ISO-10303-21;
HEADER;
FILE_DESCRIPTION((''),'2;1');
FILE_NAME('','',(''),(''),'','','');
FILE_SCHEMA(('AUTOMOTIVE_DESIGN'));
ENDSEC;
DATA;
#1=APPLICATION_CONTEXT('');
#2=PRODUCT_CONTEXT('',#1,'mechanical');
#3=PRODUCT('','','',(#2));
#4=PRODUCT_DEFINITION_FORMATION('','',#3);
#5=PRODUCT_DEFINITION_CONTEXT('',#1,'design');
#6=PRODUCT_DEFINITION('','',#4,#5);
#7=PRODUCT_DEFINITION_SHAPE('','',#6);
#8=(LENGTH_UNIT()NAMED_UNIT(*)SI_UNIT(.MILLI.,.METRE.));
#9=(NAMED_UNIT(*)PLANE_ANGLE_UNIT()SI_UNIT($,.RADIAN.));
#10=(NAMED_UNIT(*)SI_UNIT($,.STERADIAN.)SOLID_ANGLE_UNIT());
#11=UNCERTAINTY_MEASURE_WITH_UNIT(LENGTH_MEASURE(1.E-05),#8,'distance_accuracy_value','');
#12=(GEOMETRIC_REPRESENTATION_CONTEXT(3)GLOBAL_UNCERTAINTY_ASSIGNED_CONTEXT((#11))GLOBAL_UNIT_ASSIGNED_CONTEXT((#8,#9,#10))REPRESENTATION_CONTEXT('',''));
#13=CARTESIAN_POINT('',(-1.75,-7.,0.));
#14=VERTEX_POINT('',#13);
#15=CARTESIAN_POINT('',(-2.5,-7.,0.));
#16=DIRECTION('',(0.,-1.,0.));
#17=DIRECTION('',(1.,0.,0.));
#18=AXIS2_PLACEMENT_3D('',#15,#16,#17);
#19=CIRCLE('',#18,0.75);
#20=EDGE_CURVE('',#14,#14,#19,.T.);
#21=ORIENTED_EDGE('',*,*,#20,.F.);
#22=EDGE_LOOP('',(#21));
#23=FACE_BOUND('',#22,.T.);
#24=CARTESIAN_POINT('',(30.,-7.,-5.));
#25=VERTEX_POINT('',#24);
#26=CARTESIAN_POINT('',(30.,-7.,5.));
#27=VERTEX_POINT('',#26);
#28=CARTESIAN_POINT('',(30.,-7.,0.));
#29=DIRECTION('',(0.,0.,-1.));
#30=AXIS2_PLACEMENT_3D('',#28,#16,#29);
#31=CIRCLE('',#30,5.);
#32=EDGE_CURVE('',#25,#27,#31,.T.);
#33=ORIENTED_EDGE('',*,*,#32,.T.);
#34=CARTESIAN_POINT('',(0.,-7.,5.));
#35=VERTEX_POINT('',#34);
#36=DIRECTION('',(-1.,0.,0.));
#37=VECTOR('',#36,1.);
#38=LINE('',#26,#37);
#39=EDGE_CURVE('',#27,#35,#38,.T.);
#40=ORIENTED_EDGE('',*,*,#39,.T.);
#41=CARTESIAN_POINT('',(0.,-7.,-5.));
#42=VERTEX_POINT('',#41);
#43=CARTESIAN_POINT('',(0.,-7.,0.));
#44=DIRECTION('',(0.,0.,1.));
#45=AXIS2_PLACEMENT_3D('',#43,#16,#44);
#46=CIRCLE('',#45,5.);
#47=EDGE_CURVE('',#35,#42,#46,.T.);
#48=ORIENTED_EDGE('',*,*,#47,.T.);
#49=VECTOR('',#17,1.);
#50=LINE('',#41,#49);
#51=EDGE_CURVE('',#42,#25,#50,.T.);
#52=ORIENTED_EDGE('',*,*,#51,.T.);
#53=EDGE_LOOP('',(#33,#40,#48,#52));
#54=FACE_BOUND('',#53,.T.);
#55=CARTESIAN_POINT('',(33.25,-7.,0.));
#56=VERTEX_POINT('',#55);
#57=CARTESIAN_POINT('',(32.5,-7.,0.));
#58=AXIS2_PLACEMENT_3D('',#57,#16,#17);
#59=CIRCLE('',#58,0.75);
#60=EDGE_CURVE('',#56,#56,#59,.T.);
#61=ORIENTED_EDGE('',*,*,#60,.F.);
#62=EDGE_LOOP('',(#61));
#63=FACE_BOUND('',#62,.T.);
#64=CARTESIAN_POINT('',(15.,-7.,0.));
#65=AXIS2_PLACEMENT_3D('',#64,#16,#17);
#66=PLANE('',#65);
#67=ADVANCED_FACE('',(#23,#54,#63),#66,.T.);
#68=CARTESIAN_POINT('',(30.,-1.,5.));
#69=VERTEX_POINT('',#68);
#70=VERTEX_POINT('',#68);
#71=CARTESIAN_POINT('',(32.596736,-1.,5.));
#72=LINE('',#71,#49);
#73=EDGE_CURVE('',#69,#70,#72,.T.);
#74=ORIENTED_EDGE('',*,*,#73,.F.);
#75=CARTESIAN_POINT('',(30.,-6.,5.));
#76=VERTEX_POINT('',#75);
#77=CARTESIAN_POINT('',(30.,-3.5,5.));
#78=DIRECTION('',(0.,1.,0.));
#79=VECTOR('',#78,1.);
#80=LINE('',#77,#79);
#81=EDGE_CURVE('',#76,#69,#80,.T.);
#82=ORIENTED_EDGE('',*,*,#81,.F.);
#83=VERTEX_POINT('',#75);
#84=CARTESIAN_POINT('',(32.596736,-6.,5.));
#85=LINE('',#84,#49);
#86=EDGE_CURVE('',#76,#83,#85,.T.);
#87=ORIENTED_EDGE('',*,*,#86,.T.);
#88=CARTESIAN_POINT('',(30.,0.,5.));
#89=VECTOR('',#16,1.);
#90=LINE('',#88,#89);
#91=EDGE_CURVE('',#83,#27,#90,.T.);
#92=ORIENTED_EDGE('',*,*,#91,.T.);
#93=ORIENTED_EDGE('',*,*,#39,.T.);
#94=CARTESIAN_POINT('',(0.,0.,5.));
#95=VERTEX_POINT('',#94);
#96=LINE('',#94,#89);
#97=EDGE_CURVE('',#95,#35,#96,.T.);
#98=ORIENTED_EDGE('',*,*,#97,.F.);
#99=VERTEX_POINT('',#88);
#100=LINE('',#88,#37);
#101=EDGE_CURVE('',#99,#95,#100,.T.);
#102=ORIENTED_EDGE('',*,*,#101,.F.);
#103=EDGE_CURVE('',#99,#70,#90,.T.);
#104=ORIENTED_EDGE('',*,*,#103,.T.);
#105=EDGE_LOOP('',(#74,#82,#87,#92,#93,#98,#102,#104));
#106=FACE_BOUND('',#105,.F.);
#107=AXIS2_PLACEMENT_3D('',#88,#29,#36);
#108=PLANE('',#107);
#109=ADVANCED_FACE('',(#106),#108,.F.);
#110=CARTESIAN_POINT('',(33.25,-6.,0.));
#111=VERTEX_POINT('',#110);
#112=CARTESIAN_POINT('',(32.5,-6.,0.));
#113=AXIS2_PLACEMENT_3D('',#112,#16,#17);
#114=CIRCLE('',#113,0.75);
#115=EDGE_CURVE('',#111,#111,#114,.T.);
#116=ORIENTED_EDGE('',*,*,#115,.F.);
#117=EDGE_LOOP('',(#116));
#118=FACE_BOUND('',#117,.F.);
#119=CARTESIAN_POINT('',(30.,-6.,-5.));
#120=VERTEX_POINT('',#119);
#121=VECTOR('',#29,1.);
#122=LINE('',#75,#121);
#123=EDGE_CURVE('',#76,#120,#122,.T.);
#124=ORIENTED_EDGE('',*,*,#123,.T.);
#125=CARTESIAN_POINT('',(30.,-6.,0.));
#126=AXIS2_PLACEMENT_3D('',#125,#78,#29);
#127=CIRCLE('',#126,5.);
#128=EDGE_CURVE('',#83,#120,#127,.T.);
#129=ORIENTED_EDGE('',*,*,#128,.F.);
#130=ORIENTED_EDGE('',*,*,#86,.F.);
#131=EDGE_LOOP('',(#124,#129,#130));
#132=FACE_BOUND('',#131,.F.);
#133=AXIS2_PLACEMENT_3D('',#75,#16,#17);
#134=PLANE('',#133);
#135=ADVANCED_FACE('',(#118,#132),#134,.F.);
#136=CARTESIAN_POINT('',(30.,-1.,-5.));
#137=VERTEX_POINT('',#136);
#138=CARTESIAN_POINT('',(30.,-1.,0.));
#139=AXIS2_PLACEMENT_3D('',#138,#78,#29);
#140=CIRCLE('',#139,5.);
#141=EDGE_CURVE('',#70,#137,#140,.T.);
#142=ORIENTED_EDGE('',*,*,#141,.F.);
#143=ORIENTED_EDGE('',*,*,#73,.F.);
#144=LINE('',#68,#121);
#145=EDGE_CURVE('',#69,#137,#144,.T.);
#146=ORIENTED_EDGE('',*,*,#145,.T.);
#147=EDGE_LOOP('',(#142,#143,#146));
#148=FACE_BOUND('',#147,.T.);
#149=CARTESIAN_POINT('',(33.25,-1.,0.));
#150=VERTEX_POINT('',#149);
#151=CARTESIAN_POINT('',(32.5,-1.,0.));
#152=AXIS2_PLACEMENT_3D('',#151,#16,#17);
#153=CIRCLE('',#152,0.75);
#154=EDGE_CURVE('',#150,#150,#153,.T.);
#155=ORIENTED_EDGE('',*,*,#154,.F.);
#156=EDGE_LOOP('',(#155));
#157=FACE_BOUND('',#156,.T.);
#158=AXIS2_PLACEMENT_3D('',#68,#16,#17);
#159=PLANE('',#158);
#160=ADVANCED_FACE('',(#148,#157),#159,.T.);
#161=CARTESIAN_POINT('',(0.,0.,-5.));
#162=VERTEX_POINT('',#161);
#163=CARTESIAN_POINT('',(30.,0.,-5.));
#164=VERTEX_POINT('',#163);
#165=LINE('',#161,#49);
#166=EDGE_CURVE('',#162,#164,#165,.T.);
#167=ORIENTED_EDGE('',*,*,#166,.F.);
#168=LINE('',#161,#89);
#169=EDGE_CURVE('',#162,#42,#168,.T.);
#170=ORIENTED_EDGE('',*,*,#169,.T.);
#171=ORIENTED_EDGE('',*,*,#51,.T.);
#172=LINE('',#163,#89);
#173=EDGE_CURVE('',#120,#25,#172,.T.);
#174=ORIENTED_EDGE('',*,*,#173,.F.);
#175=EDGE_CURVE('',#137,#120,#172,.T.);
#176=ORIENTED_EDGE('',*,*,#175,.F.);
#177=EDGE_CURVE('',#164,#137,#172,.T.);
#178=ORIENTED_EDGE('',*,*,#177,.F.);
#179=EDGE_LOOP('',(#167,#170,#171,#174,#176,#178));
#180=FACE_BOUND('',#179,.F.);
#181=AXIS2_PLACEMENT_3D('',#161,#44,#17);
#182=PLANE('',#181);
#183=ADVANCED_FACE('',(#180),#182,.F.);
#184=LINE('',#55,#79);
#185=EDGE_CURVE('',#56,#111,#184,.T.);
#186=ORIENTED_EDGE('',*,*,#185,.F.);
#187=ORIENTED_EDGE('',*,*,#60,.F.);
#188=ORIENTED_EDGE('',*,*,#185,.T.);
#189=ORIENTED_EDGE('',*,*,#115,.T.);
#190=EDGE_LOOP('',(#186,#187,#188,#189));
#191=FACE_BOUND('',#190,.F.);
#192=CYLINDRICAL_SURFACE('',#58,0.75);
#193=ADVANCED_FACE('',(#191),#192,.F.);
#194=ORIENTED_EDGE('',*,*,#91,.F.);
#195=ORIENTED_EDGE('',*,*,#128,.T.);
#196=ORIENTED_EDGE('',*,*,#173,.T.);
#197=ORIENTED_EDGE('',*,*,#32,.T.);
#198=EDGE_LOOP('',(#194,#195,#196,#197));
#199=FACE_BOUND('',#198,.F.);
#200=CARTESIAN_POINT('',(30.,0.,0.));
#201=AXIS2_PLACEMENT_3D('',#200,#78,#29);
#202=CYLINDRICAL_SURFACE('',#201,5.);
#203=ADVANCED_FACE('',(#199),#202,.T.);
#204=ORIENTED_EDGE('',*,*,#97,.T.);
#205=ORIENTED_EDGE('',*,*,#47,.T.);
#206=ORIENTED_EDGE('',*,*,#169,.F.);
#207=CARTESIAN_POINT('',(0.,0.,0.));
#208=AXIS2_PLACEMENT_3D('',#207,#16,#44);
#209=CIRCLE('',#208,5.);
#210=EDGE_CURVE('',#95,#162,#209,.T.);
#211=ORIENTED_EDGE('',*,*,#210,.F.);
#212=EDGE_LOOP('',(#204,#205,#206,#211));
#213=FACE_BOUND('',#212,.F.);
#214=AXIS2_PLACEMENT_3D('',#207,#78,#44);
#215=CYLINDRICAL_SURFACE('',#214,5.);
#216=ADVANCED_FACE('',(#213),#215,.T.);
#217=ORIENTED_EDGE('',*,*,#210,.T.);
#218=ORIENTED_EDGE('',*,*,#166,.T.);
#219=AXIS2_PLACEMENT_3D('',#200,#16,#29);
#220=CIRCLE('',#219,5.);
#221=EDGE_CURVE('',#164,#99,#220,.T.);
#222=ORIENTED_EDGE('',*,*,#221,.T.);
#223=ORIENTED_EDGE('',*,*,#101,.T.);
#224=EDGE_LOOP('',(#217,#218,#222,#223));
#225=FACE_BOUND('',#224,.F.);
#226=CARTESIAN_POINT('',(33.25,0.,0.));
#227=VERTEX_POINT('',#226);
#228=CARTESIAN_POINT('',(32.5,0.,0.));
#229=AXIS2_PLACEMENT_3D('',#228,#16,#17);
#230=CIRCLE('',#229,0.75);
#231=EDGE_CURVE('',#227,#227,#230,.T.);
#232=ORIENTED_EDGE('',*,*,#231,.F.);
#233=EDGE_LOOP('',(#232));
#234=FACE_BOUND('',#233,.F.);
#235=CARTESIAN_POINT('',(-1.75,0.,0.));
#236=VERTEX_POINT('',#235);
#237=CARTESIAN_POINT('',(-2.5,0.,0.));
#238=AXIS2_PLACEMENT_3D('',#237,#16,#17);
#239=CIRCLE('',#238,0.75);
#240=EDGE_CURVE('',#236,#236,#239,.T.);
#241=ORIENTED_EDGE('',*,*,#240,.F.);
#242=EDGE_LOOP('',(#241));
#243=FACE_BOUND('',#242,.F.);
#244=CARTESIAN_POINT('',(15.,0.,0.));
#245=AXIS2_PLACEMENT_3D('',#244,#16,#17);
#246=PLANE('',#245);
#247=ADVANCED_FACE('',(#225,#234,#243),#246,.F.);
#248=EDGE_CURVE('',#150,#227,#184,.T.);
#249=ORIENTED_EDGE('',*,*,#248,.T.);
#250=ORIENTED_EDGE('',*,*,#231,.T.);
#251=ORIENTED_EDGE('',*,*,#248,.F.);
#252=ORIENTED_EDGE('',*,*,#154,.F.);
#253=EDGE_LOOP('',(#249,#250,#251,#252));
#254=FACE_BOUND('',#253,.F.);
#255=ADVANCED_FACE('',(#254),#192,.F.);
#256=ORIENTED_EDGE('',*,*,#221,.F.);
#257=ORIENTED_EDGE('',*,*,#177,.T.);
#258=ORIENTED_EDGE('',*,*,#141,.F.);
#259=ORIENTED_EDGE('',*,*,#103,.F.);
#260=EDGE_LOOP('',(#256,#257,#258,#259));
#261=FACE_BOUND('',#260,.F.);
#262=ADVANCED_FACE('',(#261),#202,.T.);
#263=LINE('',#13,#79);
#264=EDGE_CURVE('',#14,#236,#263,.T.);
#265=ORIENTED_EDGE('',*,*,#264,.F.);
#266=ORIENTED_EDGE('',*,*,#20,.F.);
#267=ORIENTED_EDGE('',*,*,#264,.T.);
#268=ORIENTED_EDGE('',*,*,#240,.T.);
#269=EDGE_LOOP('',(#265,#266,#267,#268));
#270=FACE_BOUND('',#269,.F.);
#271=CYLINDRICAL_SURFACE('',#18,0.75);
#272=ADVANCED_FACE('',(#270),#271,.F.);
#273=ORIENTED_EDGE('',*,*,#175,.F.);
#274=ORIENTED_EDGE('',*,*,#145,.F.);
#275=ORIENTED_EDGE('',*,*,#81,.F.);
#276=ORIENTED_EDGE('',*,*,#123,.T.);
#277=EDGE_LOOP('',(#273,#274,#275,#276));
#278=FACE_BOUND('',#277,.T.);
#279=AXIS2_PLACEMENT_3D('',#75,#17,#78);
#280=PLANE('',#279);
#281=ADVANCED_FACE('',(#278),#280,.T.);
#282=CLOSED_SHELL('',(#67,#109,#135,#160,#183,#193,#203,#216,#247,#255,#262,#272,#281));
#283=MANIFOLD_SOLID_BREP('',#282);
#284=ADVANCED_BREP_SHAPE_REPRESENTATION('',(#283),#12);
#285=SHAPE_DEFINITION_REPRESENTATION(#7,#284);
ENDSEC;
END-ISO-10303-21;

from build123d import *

# Parameters (mm, degrees)
F1_DEPTH = 7
F2_W     = 5.193473
F2_H     = 5
F3_DEPTH = 25
F4_R     = 0.75
F5_DEPTH = 25


with BuildPart() as f1:
    # F0 (on Front) → F1 (new body)
    with BuildSketch(Plane.XZ):
        with BuildLine():
            Line((30, 5), (0, 5))
            ThreePointArc((0, 5), (-5, 0), (0, -5))
            Line((0, -5), (30, -5))
            ThreePointArc((30, -5), (35, 0), (30, 5))
        make_face()
    extrude(amount=F1_DEPTH)

    # F2 (on face) → F3 (cut)
    with BuildSketch(Plane.XY.offset(5)):
        with Locations((32.596736, -3.5)):
            Rectangle(F2_W, F2_H)
    extrude(amount=-F3_DEPTH, mode=Mode.SUBTRACT)

    # F4 (on face) → F5 (cut)
    with BuildSketch(Plane.XZ.offset(7)):
        with Locations((32.5, 0)):
            Circle(F4_R)
        with Locations((-2.5, 0)):
            Circle(F4_R)
    extrude(amount=-F5_DEPTH, mode=Mode.SUBTRACT)


solid = f1.part
